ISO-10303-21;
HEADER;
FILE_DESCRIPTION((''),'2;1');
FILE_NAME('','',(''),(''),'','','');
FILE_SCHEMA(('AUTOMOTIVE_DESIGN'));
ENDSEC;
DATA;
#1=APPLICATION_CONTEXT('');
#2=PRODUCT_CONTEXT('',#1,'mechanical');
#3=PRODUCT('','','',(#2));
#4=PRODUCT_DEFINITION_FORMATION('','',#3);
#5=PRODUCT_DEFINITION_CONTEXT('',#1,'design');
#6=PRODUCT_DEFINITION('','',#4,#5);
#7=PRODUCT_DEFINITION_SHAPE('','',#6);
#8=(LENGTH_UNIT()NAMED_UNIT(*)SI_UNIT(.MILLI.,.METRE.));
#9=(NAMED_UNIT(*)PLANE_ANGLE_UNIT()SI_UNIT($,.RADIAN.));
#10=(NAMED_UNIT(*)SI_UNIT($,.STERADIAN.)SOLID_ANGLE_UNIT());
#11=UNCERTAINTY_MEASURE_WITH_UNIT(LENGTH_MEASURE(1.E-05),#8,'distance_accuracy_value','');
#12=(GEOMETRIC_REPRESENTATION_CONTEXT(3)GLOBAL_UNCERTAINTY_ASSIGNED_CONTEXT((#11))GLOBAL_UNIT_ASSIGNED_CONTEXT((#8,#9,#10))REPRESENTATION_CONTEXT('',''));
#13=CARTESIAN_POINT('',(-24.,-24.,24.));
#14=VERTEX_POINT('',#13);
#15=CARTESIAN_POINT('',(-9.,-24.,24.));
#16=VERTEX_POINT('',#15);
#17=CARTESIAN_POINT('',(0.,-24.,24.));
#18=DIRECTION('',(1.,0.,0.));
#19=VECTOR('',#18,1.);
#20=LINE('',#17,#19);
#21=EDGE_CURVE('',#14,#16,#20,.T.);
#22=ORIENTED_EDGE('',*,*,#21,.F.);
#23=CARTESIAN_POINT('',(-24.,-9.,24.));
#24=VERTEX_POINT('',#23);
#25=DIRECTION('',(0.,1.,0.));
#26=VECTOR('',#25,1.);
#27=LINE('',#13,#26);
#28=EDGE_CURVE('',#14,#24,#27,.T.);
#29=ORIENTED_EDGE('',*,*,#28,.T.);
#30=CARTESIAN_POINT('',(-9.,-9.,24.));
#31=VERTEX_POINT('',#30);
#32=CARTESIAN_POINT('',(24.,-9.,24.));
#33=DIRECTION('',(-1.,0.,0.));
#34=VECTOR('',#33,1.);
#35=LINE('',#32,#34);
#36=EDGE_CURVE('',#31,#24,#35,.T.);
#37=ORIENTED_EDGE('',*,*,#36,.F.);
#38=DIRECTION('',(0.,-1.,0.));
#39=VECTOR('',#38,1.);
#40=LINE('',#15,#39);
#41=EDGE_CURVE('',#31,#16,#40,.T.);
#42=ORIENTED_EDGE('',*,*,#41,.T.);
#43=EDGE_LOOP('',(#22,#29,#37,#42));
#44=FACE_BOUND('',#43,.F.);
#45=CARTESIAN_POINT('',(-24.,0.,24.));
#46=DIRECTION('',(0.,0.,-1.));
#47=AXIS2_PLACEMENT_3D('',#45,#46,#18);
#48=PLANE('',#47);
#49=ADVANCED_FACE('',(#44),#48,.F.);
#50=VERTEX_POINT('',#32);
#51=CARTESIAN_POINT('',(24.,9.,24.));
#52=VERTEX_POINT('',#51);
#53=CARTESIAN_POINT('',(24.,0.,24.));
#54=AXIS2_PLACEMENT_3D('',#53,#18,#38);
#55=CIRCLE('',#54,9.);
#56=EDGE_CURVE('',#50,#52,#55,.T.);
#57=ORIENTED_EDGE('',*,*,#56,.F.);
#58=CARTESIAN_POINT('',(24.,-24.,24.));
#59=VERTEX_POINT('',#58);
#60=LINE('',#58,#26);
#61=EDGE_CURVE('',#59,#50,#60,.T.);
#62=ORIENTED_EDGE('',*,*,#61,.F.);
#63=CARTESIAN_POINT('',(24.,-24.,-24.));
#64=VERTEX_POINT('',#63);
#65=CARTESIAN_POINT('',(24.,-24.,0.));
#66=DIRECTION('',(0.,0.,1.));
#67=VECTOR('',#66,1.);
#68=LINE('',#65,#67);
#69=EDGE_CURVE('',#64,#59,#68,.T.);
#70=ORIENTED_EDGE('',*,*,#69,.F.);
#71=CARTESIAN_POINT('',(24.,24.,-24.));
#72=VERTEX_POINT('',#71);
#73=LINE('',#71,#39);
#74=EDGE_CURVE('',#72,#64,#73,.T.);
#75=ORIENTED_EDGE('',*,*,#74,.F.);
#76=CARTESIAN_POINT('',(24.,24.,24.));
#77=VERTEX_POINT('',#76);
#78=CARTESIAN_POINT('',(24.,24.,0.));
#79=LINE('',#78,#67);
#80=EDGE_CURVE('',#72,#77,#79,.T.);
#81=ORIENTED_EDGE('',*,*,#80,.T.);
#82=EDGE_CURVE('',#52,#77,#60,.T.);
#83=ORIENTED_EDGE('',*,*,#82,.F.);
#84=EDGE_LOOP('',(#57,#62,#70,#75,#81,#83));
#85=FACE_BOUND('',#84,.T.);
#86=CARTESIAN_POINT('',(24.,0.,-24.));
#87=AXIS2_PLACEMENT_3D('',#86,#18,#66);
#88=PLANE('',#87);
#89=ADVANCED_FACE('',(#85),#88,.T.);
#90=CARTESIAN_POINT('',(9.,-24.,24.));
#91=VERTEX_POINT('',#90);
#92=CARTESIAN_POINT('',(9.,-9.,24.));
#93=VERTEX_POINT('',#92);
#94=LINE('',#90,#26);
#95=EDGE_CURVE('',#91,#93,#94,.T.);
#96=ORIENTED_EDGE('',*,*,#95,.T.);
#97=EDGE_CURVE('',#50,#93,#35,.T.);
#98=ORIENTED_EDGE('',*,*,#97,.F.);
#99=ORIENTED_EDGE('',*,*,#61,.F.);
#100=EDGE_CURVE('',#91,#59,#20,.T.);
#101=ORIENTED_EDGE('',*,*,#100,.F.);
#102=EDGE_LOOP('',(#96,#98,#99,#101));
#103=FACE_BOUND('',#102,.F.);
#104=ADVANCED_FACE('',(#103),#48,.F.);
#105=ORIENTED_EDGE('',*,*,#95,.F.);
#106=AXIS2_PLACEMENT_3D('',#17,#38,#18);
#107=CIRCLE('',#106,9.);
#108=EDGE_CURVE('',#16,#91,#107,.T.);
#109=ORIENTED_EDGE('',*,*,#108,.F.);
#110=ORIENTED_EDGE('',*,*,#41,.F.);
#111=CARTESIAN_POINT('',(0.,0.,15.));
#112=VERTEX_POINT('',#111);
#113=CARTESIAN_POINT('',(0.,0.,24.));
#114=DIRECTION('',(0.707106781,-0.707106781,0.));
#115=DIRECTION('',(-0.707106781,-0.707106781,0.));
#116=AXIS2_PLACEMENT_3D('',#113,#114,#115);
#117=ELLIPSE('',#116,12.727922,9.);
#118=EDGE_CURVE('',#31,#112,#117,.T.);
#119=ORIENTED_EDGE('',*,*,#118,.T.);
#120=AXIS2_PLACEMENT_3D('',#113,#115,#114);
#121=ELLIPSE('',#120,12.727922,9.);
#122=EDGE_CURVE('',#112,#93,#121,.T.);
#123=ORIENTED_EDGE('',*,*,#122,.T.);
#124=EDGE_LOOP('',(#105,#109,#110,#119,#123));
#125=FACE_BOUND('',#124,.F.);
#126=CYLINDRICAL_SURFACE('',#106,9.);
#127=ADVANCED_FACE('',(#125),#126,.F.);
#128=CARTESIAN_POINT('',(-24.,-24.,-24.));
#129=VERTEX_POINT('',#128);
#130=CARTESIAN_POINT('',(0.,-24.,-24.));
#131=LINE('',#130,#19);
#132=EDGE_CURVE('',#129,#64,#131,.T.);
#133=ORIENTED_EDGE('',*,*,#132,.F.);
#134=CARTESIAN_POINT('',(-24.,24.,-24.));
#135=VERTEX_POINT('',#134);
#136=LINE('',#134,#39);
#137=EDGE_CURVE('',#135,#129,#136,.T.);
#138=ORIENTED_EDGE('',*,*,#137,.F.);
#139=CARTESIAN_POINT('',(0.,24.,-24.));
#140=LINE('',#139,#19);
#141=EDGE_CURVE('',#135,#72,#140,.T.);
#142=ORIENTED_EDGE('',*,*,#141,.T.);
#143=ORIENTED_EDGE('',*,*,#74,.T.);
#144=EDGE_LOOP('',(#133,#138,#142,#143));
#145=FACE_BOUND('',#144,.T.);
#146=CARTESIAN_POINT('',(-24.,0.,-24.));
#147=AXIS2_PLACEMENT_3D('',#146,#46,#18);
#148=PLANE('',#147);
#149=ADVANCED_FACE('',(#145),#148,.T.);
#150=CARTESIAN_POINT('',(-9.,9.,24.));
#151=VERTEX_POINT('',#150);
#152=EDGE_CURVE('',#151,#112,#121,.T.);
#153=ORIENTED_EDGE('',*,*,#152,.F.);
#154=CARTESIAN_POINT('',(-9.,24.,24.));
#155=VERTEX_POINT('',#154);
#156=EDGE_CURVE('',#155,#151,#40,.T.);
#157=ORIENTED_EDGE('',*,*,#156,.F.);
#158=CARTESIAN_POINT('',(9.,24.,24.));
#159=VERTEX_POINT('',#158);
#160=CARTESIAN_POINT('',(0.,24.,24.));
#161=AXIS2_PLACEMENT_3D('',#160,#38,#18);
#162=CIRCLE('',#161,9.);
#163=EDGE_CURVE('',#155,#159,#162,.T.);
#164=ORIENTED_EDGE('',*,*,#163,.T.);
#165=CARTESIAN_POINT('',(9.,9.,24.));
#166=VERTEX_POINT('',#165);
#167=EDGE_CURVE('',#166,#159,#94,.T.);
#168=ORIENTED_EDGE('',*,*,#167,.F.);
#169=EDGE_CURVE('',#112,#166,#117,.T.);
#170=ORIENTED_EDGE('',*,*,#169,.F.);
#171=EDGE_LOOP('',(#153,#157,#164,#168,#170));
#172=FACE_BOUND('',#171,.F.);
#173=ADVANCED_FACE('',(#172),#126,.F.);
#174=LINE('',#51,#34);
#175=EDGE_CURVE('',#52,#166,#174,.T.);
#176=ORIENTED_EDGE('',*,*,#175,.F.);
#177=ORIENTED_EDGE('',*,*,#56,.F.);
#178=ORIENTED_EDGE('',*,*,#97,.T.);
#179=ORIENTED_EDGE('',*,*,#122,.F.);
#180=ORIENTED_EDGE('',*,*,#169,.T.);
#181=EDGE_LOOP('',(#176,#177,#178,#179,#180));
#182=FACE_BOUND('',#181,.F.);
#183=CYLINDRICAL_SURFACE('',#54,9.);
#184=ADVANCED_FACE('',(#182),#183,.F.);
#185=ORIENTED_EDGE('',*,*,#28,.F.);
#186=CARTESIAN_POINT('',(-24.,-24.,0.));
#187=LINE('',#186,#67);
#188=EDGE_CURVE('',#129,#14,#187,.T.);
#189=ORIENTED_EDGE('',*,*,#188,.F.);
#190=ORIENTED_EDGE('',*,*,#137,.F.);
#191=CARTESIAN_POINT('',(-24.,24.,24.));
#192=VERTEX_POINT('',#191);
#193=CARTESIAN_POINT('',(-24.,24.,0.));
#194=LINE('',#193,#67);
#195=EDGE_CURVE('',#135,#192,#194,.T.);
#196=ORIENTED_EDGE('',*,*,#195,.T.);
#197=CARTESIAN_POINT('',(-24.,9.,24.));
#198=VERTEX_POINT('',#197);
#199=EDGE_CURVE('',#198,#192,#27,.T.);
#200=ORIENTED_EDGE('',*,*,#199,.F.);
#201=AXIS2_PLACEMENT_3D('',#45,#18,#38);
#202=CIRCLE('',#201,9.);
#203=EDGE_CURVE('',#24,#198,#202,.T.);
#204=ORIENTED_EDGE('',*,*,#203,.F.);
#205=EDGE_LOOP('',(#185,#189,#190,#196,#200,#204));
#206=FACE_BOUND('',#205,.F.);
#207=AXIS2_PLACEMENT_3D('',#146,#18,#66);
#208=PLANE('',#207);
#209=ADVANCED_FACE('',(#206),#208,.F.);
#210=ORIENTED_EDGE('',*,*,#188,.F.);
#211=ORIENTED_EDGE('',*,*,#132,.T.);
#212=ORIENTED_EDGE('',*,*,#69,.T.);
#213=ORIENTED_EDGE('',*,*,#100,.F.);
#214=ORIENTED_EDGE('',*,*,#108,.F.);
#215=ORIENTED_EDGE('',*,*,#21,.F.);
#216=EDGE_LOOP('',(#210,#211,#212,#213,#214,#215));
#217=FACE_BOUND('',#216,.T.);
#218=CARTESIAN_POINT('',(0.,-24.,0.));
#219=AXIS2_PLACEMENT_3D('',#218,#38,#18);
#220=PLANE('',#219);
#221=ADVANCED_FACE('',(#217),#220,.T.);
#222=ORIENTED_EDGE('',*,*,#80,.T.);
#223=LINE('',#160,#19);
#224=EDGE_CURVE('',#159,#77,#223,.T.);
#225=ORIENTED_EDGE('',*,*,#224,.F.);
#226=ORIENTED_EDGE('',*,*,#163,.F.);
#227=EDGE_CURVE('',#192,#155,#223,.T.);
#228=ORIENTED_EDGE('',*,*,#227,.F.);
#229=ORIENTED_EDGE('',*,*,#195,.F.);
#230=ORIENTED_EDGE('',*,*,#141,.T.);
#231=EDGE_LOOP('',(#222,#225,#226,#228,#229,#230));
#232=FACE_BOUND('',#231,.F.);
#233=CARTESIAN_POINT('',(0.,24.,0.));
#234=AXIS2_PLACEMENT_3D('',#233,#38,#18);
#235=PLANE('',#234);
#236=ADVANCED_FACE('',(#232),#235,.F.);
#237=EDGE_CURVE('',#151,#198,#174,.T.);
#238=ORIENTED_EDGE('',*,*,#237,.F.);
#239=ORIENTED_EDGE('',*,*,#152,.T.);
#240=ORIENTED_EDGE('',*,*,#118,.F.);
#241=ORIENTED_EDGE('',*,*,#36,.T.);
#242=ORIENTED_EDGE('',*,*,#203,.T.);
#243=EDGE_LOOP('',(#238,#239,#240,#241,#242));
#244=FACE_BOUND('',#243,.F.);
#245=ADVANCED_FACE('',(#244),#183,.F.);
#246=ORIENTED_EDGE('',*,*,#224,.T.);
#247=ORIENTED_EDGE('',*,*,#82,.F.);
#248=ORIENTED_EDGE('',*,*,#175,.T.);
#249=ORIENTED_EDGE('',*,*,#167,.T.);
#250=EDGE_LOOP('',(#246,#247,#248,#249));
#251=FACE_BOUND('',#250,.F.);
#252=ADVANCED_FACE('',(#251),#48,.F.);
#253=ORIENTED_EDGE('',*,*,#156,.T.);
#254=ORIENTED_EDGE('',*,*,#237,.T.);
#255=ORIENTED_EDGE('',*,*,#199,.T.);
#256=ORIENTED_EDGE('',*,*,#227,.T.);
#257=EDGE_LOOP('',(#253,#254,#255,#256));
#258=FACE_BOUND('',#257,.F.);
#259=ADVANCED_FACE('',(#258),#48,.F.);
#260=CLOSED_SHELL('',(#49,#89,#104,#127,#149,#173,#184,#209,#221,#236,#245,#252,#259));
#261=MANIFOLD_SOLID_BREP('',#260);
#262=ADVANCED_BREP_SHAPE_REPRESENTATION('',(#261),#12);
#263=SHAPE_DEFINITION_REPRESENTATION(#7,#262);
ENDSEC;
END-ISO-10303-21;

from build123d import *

# Parameters (mm, degrees)
F0_W     = 48
F0_H     = 48
F1_DEPTH = 24
F2_R     = 9
F3_DEPTH = 48
F5_DEPTH = 48


with BuildPart() as f1:
    # F0 (on Front) → F1 (new body, symmetric)
    with BuildSketch(Plane.XZ):
        Rectangle(F0_W, F0_H)
    extrude(amount=F1_DEPTH, both=True)

    # F2 (on face) → F3 (cut)
    with BuildSketch(Plane.XZ.offset(24)):
        with Locations((0, 24)):
            Circle(F2_R)
    extrude(amount=-F3_DEPTH, mode=Mode.SUBTRACT)

    # F4 (on face) → F5 (cut)
    with BuildSketch(Plane.YZ.offset(24)):
        with BuildLine():
            ThreePointArc((-9, 24), (0, 15), (9, 24))
            Line((9, 24), (-9, 24))
        make_face()
    extrude(amount=-F5_DEPTH, mode=Mode.SUBTRACT)


solid = f1.part
